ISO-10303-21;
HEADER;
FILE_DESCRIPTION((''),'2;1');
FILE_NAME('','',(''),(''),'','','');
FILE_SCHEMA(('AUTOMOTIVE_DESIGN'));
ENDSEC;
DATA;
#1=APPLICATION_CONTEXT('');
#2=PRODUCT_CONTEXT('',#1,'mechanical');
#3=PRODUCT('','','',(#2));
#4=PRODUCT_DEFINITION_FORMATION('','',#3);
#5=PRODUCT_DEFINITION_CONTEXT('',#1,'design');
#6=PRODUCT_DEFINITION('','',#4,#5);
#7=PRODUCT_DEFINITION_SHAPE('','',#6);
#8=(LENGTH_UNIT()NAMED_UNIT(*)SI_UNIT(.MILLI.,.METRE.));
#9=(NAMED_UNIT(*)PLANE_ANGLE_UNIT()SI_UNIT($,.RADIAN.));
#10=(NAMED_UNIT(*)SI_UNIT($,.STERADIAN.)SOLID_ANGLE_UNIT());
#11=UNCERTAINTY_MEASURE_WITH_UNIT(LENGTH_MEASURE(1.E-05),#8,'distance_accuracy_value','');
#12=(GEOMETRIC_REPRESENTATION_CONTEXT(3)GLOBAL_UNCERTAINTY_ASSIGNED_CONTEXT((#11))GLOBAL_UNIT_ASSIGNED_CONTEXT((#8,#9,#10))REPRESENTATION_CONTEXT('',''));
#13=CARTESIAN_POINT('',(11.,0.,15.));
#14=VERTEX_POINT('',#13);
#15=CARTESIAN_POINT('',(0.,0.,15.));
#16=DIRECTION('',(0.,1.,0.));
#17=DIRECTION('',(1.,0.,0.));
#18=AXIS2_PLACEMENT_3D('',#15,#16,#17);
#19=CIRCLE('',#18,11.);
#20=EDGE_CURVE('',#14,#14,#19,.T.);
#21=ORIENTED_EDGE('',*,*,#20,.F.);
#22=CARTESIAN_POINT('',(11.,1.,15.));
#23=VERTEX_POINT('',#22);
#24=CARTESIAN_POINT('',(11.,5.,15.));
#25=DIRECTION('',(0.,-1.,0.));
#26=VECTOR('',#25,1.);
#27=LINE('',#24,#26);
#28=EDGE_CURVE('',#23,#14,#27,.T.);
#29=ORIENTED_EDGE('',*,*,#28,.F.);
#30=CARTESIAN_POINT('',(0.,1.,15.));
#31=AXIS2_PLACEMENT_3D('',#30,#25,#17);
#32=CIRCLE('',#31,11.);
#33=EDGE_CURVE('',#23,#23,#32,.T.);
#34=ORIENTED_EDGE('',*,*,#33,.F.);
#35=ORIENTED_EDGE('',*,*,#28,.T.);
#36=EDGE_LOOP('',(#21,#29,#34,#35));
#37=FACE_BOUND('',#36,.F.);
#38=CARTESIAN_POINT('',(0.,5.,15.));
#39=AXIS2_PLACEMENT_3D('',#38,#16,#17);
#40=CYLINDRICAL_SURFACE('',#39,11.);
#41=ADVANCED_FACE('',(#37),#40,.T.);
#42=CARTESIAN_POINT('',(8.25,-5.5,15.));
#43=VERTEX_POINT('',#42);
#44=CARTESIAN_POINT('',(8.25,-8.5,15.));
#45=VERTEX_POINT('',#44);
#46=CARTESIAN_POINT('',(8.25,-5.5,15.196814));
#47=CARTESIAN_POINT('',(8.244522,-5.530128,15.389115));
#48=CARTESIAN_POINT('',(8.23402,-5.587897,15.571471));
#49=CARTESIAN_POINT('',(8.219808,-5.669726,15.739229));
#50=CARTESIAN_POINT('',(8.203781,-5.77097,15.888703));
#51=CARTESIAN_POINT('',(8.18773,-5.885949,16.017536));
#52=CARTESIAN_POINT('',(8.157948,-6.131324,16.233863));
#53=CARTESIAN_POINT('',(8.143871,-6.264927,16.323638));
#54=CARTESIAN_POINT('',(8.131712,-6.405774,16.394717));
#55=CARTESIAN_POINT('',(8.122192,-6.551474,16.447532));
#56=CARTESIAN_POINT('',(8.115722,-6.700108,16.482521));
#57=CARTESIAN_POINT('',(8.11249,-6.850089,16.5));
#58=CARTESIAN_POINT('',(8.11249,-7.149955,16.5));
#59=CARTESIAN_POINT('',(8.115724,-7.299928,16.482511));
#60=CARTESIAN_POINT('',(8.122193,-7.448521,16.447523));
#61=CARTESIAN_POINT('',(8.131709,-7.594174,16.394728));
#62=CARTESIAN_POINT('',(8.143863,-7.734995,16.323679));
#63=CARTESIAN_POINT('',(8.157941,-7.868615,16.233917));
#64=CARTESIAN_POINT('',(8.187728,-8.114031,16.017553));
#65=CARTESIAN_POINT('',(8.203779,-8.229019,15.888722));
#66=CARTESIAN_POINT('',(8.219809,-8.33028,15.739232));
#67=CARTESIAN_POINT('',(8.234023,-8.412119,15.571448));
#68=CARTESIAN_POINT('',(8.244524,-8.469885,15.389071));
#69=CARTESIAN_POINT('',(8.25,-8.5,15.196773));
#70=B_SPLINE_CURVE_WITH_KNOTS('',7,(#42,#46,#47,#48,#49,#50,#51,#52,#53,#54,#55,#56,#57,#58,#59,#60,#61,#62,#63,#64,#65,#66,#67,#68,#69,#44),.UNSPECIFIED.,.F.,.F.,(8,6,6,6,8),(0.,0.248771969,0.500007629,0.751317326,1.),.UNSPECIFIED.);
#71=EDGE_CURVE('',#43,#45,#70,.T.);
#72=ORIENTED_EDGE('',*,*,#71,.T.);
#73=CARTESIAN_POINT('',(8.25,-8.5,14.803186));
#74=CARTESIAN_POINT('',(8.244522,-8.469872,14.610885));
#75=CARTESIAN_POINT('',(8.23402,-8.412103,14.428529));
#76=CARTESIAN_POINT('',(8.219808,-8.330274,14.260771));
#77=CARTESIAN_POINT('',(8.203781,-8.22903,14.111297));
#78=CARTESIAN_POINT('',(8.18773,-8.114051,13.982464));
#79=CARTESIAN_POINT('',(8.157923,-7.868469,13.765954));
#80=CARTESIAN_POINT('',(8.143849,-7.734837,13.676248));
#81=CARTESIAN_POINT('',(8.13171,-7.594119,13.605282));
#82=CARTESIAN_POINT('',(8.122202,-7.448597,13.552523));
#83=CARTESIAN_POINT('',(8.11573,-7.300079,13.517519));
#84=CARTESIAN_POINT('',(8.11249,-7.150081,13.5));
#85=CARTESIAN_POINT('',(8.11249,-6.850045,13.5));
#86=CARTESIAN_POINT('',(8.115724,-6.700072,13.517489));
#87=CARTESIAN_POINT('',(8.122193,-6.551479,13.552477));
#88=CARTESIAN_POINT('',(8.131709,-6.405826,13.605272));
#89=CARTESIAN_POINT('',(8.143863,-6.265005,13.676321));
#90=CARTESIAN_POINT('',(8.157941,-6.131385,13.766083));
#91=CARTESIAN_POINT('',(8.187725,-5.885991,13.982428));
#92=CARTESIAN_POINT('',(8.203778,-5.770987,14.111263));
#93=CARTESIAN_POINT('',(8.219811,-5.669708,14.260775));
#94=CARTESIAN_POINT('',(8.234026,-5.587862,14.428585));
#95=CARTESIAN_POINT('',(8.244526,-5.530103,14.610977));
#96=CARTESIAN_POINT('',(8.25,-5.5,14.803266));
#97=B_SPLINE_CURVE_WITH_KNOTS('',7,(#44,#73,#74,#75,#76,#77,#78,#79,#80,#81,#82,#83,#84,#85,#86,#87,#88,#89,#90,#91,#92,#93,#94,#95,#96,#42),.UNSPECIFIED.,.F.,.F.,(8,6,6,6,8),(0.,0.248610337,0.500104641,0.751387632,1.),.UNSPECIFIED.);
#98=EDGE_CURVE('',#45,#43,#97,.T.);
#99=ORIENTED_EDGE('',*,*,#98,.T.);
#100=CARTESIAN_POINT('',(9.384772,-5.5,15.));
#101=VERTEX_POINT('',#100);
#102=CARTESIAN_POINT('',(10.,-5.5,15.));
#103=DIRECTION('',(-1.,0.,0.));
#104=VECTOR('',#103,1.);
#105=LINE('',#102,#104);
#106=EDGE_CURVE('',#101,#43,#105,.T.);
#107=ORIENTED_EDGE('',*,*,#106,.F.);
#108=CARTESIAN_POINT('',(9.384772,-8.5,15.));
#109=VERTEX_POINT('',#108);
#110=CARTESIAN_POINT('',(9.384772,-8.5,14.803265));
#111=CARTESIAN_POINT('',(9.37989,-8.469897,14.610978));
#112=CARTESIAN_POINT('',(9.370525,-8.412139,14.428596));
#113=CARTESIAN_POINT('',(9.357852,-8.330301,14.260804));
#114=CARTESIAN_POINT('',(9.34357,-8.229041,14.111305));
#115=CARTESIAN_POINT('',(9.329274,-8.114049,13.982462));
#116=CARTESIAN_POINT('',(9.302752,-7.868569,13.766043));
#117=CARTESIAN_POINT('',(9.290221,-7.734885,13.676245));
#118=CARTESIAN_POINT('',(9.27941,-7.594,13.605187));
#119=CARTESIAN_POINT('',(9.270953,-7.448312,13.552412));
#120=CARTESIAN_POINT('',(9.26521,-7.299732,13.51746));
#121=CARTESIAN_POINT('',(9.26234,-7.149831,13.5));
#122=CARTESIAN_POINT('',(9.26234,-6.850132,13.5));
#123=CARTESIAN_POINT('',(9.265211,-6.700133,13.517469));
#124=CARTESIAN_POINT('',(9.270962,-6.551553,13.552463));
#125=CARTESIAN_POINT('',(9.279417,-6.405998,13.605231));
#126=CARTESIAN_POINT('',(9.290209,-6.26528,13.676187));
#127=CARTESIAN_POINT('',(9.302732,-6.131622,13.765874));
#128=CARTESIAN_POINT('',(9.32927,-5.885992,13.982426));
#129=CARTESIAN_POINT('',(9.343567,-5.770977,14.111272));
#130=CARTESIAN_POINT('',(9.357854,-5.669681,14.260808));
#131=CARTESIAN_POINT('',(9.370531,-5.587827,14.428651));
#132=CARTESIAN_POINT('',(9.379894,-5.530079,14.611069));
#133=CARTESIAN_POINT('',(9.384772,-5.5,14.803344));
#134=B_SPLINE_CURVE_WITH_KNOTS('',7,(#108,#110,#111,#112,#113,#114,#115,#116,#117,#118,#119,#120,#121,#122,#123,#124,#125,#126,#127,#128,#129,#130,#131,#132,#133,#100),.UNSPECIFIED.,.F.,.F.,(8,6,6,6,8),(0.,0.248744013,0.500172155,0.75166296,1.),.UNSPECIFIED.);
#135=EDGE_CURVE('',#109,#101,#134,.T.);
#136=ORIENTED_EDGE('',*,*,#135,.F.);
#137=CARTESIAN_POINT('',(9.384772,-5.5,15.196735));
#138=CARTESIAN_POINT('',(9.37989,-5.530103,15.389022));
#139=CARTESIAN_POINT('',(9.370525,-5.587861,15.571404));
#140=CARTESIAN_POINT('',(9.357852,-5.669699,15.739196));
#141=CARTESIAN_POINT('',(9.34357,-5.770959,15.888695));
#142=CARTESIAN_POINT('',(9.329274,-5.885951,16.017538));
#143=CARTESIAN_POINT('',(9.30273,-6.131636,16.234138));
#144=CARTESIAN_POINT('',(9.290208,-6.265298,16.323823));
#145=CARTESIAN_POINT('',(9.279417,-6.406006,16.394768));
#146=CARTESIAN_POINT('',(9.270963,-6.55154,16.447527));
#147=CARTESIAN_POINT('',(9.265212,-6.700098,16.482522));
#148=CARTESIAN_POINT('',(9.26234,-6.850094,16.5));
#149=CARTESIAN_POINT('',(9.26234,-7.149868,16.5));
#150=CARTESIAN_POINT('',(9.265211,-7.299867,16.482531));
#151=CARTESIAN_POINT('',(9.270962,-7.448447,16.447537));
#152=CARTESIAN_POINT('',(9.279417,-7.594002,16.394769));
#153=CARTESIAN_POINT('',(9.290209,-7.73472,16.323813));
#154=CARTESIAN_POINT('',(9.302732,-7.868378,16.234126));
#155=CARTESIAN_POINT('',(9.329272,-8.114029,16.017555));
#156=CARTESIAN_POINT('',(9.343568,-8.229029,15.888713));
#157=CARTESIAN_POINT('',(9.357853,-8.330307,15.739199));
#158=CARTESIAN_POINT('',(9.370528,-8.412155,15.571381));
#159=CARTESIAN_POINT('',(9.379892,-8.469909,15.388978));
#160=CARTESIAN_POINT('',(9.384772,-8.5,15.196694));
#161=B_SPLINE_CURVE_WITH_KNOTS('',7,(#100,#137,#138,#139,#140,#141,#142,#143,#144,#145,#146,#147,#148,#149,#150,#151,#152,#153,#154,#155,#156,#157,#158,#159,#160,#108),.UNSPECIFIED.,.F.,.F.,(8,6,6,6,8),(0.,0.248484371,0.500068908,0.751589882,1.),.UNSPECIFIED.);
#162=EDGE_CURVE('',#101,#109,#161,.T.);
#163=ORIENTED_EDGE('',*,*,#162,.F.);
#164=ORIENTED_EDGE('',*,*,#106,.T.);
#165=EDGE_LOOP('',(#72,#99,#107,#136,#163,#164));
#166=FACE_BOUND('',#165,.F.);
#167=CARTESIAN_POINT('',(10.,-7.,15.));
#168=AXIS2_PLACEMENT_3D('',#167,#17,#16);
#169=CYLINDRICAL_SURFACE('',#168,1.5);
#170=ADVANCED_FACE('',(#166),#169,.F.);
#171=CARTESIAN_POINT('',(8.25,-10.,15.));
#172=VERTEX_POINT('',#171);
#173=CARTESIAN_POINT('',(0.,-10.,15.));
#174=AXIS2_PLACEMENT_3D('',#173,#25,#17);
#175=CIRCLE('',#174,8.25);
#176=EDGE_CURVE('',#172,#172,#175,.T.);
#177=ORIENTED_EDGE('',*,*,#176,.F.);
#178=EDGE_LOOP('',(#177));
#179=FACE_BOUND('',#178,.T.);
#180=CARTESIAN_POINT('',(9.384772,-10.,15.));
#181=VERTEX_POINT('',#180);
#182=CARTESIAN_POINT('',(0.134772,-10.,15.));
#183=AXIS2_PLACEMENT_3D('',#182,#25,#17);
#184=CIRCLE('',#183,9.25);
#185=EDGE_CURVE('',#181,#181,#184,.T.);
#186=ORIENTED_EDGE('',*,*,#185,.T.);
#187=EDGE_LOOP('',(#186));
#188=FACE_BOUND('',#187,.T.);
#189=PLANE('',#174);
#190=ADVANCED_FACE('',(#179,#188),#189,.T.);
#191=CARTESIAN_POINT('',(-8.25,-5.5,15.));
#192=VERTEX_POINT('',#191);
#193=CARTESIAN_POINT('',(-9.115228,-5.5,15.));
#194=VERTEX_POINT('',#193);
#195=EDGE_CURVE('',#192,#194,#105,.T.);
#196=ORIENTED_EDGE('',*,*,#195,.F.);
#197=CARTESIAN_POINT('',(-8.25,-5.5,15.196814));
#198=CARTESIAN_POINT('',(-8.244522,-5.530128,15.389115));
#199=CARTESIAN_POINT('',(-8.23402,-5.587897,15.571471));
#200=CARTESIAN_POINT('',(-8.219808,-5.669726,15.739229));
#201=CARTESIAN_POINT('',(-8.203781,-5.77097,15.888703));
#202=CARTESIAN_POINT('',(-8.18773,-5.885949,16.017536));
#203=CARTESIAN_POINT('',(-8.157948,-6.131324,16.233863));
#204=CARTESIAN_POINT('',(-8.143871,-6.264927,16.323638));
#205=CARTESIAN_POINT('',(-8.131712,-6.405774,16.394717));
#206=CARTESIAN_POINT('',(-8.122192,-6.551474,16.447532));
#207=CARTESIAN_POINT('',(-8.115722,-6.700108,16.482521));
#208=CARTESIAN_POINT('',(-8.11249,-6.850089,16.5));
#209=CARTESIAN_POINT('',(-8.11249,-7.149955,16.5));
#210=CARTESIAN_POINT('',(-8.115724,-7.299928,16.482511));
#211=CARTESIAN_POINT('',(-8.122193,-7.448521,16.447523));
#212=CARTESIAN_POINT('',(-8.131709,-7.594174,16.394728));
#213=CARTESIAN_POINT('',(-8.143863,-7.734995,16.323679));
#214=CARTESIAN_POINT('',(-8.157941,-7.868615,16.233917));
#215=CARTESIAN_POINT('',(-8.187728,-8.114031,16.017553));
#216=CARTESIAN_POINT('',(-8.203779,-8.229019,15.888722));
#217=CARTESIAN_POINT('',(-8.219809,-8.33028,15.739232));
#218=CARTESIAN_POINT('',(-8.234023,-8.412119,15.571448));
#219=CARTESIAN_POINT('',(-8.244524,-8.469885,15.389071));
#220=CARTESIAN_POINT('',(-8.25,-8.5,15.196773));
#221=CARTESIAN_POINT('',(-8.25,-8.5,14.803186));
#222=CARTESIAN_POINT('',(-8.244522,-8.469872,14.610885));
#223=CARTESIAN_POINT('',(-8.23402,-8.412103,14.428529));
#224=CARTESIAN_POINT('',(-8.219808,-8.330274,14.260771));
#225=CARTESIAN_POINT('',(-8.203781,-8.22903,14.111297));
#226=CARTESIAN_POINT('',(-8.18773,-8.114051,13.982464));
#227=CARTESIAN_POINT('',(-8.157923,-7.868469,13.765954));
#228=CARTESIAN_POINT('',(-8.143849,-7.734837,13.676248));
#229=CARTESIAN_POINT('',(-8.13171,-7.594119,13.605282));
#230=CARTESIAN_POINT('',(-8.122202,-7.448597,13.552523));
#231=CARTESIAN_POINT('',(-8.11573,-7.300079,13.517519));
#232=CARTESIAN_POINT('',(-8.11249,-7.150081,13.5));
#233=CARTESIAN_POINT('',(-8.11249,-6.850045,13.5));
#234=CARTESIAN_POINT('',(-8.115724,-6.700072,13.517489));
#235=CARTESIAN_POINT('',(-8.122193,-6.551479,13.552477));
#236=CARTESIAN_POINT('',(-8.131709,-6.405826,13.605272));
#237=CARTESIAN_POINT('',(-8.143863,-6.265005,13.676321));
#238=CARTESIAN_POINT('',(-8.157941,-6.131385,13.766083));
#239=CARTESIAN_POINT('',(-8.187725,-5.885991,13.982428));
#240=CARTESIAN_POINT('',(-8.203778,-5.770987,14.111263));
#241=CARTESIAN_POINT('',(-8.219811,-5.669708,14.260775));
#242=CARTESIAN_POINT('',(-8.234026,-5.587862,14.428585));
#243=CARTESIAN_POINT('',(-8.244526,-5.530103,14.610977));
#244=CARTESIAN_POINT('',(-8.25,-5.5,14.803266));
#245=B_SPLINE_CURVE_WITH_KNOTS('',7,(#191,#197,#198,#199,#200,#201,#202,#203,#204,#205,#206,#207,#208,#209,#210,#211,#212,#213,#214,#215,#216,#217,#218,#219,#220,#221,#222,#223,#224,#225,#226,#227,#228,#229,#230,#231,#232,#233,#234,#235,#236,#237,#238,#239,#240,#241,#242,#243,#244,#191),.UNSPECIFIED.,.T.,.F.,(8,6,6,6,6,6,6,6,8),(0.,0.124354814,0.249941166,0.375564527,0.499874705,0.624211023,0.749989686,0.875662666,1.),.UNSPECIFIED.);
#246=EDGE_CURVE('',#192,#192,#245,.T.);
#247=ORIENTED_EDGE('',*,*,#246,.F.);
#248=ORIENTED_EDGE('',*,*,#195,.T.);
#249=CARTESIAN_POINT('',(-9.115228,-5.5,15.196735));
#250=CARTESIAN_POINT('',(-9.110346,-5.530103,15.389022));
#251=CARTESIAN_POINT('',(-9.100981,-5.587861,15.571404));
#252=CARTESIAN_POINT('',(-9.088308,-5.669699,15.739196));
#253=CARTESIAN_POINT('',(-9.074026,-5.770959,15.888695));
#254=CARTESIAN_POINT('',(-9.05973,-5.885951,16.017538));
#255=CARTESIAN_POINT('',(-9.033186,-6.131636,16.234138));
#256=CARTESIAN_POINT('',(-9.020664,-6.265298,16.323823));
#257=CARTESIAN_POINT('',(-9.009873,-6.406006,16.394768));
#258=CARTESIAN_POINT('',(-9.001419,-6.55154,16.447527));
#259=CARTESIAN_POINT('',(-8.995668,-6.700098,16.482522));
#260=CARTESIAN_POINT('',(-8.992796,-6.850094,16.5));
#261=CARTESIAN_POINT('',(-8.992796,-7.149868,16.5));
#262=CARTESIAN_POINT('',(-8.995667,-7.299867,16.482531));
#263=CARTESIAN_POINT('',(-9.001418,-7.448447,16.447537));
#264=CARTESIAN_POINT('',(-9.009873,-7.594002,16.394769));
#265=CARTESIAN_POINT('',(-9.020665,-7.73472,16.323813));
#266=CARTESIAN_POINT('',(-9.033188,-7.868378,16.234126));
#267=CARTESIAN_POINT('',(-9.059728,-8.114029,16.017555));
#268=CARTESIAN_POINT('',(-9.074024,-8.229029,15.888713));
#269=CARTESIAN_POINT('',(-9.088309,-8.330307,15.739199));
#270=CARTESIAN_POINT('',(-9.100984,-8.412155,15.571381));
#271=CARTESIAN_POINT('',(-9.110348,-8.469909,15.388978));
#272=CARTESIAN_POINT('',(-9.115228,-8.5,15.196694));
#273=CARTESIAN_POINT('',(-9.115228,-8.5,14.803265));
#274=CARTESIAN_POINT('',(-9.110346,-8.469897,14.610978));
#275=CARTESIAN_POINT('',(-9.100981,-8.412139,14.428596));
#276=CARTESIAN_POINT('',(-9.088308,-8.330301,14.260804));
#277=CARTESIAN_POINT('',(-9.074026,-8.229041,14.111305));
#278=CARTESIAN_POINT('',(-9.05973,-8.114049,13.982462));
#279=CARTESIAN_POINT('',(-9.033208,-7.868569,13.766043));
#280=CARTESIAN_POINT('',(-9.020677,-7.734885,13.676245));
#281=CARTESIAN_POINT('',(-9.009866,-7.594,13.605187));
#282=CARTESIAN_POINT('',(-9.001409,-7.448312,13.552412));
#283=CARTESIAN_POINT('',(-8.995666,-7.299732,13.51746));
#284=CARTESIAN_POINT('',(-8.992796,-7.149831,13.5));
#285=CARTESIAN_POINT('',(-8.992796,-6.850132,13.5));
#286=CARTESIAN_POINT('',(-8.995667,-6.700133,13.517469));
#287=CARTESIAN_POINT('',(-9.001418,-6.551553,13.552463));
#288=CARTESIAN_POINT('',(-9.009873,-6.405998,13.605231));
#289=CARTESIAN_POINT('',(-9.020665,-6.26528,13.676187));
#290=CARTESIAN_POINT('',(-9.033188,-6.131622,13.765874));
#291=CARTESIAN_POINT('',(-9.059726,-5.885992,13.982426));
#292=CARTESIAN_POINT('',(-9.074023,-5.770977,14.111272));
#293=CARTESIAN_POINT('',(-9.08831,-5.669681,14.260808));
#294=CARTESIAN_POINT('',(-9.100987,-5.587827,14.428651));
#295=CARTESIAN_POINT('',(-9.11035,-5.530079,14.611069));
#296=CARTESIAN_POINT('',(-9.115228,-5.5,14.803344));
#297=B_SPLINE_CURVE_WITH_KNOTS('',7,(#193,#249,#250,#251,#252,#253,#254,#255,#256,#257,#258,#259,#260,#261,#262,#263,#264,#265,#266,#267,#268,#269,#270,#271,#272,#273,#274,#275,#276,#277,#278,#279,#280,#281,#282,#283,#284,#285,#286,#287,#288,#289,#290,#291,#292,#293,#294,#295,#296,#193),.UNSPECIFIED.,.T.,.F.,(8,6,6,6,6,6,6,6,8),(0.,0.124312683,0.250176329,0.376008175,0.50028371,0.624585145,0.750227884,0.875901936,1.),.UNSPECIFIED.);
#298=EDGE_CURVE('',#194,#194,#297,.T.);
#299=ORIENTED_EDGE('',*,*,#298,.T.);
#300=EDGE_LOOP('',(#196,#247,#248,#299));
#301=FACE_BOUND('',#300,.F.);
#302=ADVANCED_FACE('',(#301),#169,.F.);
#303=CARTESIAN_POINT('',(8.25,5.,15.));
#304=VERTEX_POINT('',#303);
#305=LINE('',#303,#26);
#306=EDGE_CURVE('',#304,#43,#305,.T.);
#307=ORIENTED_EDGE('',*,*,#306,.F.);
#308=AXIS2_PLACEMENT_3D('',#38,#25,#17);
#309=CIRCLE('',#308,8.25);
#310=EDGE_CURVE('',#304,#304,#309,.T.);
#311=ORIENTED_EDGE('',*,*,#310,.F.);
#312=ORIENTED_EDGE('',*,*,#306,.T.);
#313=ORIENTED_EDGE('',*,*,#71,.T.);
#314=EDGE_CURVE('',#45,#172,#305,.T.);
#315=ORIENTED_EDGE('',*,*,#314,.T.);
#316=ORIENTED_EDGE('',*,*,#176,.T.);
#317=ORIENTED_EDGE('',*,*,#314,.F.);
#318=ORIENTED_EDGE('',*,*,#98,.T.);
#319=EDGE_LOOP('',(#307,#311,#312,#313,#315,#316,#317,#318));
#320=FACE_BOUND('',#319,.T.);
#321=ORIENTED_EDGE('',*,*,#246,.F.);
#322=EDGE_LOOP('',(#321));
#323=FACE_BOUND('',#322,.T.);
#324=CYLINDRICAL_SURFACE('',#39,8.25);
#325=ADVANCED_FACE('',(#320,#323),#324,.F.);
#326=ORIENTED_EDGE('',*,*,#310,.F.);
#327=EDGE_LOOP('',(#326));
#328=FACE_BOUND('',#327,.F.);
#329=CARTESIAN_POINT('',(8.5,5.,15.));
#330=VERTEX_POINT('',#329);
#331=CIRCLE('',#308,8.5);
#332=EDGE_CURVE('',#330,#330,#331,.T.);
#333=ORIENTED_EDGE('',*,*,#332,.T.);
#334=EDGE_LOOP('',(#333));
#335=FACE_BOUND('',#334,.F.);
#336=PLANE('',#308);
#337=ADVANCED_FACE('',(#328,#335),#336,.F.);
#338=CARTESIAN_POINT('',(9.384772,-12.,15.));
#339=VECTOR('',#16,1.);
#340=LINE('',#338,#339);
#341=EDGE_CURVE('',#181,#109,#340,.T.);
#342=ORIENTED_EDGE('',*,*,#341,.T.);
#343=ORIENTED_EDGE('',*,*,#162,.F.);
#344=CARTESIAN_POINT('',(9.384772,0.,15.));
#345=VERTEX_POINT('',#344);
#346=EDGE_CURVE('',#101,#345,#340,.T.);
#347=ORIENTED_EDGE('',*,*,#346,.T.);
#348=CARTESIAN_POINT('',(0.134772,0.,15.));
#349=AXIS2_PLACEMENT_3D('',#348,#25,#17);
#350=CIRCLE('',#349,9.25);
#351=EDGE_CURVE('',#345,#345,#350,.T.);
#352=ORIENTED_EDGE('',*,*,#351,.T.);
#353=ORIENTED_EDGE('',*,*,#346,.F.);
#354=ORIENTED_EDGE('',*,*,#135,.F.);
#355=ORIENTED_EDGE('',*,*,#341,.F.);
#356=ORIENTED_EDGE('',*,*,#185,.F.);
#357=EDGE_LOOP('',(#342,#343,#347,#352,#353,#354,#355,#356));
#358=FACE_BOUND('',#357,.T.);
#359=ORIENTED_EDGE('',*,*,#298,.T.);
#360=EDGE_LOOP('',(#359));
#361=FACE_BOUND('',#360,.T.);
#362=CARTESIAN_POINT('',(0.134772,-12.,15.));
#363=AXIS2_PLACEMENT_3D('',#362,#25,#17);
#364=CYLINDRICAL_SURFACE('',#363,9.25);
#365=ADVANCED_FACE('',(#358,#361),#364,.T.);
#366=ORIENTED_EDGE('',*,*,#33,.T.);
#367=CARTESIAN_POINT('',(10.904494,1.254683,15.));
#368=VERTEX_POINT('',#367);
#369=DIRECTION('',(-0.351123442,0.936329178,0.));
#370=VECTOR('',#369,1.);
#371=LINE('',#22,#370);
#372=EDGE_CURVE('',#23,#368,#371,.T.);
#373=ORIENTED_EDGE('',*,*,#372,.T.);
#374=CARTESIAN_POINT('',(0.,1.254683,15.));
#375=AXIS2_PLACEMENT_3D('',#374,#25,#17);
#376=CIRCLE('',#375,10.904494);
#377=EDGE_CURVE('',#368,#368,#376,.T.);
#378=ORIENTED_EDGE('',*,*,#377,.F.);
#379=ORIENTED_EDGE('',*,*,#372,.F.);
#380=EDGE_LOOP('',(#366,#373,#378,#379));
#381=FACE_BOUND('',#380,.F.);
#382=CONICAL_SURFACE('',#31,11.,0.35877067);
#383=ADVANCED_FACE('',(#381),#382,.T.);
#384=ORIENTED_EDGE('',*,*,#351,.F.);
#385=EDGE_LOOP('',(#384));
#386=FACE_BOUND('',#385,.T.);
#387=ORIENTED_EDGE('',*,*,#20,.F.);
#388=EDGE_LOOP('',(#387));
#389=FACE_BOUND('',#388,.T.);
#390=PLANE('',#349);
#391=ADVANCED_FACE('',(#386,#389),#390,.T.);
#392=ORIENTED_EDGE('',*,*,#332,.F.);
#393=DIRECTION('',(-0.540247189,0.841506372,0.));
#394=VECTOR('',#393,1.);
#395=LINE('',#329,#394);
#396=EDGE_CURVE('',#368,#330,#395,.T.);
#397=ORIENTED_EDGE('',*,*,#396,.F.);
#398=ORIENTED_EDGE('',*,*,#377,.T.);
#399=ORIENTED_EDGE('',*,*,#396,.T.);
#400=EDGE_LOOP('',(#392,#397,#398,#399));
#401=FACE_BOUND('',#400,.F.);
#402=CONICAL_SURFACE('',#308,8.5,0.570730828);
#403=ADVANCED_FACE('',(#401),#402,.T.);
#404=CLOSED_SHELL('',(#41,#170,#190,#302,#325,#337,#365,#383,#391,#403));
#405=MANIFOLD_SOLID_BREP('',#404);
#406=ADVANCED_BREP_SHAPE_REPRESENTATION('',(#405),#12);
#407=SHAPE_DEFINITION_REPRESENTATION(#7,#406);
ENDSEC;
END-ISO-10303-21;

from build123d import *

# Parameters (mm, degrees)
SKETCH013_R      = 11
SKETCH013_R_2    = 8.25
PAD007_DEPTH     = 15
SKETCH014_R      = 11.25
SKETCH014_R_2    = 9.25
POCKET006_DEPTH  = 12
CHAMFER006_SIZE2 = 1.5
CHAMFER006_SIZE  = 4
SKETCH015_R      = 1.25
HOLE_DEPTH       = 25
CHAMFER008_SIZE2 = 1
CHAMFER008_SIZE  = 4
SKETCH054_R      = 1.5
POCKET021_DEPTH  = 20


with BuildPart() as part:
    # Sketch013 → Pad007 (new body)
    with BuildSketch(Plane.XZ.offset(-10)):
        with Locations((0, 15)):
            Circle(SKETCH013_R)
        with Locations((0, 15)):
            Circle(SKETCH013_R_2, mode=Mode.SUBTRACT)
    extrude(amount=PAD007_DEPTH)

    # Sketch014 → Pocket006 (cut)
    with BuildSketch(Plane.XZ.offset(7)):
        with Locations((0.134772, 15)):
            Circle(SKETCH014_R)
        with Locations((0.134772, 15)):
            Circle(SKETCH014_R_2, mode=Mode.SUBTRACT)
    extrude(amount=-POCKET006_DEPTH, mode=Mode.SUBTRACT)

    # Chamfer006
    chamfer006_edges = [part.edges().sort_by_distance(p)[0] for p in [
        (-11, 10, 15),
    ]]
    chamfer006_side = part.faces().sort_by_distance((-11, 7.5, 15))[0]
    chamfer(chamfer006_edges, length=CHAMFER006_SIZE, length2=CHAMFER006_SIZE2, reference=chamfer006_side)

    # Sketch015 → Hole (cut)
    with BuildSketch(Plane(origin=(0, 4, 5), x_dir=(1, 0, 0), z_dir=(0, 0, 1))):
        with Locations((0.028156, -7.033275)):
            Circle(SKETCH015_R)
    extrude(amount=-HOLE_DEPTH, mode=Mode.SUBTRACT)

    # Chamfer008
    chamfer008_edges = [part.edges().sort_by_distance(p)[0] for p in [
        (-9.5, 10, 15),
    ]]
    chamfer008_side = part.faces().sort_by_distance((-10.25, 8, 15))[0]
    chamfer(chamfer008_edges, length=CHAMFER008_SIZE, length2=CHAMFER008_SIZE2, reference=chamfer008_side)

    # Sketch054 → Pocket021 (cut)
    with BuildSketch(Plane.YZ.offset(10)):
        with Locations((-2, 15)):
            Circle(SKETCH054_R)
    extrude(amount=-POCKET021_DEPTH, mode=Mode.SUBTRACT)


with BuildPart() as part_1:
    # Body006 placement: moved
    add(part.part.moved(Location((0, -5, 0))))


solid = part_1.part
